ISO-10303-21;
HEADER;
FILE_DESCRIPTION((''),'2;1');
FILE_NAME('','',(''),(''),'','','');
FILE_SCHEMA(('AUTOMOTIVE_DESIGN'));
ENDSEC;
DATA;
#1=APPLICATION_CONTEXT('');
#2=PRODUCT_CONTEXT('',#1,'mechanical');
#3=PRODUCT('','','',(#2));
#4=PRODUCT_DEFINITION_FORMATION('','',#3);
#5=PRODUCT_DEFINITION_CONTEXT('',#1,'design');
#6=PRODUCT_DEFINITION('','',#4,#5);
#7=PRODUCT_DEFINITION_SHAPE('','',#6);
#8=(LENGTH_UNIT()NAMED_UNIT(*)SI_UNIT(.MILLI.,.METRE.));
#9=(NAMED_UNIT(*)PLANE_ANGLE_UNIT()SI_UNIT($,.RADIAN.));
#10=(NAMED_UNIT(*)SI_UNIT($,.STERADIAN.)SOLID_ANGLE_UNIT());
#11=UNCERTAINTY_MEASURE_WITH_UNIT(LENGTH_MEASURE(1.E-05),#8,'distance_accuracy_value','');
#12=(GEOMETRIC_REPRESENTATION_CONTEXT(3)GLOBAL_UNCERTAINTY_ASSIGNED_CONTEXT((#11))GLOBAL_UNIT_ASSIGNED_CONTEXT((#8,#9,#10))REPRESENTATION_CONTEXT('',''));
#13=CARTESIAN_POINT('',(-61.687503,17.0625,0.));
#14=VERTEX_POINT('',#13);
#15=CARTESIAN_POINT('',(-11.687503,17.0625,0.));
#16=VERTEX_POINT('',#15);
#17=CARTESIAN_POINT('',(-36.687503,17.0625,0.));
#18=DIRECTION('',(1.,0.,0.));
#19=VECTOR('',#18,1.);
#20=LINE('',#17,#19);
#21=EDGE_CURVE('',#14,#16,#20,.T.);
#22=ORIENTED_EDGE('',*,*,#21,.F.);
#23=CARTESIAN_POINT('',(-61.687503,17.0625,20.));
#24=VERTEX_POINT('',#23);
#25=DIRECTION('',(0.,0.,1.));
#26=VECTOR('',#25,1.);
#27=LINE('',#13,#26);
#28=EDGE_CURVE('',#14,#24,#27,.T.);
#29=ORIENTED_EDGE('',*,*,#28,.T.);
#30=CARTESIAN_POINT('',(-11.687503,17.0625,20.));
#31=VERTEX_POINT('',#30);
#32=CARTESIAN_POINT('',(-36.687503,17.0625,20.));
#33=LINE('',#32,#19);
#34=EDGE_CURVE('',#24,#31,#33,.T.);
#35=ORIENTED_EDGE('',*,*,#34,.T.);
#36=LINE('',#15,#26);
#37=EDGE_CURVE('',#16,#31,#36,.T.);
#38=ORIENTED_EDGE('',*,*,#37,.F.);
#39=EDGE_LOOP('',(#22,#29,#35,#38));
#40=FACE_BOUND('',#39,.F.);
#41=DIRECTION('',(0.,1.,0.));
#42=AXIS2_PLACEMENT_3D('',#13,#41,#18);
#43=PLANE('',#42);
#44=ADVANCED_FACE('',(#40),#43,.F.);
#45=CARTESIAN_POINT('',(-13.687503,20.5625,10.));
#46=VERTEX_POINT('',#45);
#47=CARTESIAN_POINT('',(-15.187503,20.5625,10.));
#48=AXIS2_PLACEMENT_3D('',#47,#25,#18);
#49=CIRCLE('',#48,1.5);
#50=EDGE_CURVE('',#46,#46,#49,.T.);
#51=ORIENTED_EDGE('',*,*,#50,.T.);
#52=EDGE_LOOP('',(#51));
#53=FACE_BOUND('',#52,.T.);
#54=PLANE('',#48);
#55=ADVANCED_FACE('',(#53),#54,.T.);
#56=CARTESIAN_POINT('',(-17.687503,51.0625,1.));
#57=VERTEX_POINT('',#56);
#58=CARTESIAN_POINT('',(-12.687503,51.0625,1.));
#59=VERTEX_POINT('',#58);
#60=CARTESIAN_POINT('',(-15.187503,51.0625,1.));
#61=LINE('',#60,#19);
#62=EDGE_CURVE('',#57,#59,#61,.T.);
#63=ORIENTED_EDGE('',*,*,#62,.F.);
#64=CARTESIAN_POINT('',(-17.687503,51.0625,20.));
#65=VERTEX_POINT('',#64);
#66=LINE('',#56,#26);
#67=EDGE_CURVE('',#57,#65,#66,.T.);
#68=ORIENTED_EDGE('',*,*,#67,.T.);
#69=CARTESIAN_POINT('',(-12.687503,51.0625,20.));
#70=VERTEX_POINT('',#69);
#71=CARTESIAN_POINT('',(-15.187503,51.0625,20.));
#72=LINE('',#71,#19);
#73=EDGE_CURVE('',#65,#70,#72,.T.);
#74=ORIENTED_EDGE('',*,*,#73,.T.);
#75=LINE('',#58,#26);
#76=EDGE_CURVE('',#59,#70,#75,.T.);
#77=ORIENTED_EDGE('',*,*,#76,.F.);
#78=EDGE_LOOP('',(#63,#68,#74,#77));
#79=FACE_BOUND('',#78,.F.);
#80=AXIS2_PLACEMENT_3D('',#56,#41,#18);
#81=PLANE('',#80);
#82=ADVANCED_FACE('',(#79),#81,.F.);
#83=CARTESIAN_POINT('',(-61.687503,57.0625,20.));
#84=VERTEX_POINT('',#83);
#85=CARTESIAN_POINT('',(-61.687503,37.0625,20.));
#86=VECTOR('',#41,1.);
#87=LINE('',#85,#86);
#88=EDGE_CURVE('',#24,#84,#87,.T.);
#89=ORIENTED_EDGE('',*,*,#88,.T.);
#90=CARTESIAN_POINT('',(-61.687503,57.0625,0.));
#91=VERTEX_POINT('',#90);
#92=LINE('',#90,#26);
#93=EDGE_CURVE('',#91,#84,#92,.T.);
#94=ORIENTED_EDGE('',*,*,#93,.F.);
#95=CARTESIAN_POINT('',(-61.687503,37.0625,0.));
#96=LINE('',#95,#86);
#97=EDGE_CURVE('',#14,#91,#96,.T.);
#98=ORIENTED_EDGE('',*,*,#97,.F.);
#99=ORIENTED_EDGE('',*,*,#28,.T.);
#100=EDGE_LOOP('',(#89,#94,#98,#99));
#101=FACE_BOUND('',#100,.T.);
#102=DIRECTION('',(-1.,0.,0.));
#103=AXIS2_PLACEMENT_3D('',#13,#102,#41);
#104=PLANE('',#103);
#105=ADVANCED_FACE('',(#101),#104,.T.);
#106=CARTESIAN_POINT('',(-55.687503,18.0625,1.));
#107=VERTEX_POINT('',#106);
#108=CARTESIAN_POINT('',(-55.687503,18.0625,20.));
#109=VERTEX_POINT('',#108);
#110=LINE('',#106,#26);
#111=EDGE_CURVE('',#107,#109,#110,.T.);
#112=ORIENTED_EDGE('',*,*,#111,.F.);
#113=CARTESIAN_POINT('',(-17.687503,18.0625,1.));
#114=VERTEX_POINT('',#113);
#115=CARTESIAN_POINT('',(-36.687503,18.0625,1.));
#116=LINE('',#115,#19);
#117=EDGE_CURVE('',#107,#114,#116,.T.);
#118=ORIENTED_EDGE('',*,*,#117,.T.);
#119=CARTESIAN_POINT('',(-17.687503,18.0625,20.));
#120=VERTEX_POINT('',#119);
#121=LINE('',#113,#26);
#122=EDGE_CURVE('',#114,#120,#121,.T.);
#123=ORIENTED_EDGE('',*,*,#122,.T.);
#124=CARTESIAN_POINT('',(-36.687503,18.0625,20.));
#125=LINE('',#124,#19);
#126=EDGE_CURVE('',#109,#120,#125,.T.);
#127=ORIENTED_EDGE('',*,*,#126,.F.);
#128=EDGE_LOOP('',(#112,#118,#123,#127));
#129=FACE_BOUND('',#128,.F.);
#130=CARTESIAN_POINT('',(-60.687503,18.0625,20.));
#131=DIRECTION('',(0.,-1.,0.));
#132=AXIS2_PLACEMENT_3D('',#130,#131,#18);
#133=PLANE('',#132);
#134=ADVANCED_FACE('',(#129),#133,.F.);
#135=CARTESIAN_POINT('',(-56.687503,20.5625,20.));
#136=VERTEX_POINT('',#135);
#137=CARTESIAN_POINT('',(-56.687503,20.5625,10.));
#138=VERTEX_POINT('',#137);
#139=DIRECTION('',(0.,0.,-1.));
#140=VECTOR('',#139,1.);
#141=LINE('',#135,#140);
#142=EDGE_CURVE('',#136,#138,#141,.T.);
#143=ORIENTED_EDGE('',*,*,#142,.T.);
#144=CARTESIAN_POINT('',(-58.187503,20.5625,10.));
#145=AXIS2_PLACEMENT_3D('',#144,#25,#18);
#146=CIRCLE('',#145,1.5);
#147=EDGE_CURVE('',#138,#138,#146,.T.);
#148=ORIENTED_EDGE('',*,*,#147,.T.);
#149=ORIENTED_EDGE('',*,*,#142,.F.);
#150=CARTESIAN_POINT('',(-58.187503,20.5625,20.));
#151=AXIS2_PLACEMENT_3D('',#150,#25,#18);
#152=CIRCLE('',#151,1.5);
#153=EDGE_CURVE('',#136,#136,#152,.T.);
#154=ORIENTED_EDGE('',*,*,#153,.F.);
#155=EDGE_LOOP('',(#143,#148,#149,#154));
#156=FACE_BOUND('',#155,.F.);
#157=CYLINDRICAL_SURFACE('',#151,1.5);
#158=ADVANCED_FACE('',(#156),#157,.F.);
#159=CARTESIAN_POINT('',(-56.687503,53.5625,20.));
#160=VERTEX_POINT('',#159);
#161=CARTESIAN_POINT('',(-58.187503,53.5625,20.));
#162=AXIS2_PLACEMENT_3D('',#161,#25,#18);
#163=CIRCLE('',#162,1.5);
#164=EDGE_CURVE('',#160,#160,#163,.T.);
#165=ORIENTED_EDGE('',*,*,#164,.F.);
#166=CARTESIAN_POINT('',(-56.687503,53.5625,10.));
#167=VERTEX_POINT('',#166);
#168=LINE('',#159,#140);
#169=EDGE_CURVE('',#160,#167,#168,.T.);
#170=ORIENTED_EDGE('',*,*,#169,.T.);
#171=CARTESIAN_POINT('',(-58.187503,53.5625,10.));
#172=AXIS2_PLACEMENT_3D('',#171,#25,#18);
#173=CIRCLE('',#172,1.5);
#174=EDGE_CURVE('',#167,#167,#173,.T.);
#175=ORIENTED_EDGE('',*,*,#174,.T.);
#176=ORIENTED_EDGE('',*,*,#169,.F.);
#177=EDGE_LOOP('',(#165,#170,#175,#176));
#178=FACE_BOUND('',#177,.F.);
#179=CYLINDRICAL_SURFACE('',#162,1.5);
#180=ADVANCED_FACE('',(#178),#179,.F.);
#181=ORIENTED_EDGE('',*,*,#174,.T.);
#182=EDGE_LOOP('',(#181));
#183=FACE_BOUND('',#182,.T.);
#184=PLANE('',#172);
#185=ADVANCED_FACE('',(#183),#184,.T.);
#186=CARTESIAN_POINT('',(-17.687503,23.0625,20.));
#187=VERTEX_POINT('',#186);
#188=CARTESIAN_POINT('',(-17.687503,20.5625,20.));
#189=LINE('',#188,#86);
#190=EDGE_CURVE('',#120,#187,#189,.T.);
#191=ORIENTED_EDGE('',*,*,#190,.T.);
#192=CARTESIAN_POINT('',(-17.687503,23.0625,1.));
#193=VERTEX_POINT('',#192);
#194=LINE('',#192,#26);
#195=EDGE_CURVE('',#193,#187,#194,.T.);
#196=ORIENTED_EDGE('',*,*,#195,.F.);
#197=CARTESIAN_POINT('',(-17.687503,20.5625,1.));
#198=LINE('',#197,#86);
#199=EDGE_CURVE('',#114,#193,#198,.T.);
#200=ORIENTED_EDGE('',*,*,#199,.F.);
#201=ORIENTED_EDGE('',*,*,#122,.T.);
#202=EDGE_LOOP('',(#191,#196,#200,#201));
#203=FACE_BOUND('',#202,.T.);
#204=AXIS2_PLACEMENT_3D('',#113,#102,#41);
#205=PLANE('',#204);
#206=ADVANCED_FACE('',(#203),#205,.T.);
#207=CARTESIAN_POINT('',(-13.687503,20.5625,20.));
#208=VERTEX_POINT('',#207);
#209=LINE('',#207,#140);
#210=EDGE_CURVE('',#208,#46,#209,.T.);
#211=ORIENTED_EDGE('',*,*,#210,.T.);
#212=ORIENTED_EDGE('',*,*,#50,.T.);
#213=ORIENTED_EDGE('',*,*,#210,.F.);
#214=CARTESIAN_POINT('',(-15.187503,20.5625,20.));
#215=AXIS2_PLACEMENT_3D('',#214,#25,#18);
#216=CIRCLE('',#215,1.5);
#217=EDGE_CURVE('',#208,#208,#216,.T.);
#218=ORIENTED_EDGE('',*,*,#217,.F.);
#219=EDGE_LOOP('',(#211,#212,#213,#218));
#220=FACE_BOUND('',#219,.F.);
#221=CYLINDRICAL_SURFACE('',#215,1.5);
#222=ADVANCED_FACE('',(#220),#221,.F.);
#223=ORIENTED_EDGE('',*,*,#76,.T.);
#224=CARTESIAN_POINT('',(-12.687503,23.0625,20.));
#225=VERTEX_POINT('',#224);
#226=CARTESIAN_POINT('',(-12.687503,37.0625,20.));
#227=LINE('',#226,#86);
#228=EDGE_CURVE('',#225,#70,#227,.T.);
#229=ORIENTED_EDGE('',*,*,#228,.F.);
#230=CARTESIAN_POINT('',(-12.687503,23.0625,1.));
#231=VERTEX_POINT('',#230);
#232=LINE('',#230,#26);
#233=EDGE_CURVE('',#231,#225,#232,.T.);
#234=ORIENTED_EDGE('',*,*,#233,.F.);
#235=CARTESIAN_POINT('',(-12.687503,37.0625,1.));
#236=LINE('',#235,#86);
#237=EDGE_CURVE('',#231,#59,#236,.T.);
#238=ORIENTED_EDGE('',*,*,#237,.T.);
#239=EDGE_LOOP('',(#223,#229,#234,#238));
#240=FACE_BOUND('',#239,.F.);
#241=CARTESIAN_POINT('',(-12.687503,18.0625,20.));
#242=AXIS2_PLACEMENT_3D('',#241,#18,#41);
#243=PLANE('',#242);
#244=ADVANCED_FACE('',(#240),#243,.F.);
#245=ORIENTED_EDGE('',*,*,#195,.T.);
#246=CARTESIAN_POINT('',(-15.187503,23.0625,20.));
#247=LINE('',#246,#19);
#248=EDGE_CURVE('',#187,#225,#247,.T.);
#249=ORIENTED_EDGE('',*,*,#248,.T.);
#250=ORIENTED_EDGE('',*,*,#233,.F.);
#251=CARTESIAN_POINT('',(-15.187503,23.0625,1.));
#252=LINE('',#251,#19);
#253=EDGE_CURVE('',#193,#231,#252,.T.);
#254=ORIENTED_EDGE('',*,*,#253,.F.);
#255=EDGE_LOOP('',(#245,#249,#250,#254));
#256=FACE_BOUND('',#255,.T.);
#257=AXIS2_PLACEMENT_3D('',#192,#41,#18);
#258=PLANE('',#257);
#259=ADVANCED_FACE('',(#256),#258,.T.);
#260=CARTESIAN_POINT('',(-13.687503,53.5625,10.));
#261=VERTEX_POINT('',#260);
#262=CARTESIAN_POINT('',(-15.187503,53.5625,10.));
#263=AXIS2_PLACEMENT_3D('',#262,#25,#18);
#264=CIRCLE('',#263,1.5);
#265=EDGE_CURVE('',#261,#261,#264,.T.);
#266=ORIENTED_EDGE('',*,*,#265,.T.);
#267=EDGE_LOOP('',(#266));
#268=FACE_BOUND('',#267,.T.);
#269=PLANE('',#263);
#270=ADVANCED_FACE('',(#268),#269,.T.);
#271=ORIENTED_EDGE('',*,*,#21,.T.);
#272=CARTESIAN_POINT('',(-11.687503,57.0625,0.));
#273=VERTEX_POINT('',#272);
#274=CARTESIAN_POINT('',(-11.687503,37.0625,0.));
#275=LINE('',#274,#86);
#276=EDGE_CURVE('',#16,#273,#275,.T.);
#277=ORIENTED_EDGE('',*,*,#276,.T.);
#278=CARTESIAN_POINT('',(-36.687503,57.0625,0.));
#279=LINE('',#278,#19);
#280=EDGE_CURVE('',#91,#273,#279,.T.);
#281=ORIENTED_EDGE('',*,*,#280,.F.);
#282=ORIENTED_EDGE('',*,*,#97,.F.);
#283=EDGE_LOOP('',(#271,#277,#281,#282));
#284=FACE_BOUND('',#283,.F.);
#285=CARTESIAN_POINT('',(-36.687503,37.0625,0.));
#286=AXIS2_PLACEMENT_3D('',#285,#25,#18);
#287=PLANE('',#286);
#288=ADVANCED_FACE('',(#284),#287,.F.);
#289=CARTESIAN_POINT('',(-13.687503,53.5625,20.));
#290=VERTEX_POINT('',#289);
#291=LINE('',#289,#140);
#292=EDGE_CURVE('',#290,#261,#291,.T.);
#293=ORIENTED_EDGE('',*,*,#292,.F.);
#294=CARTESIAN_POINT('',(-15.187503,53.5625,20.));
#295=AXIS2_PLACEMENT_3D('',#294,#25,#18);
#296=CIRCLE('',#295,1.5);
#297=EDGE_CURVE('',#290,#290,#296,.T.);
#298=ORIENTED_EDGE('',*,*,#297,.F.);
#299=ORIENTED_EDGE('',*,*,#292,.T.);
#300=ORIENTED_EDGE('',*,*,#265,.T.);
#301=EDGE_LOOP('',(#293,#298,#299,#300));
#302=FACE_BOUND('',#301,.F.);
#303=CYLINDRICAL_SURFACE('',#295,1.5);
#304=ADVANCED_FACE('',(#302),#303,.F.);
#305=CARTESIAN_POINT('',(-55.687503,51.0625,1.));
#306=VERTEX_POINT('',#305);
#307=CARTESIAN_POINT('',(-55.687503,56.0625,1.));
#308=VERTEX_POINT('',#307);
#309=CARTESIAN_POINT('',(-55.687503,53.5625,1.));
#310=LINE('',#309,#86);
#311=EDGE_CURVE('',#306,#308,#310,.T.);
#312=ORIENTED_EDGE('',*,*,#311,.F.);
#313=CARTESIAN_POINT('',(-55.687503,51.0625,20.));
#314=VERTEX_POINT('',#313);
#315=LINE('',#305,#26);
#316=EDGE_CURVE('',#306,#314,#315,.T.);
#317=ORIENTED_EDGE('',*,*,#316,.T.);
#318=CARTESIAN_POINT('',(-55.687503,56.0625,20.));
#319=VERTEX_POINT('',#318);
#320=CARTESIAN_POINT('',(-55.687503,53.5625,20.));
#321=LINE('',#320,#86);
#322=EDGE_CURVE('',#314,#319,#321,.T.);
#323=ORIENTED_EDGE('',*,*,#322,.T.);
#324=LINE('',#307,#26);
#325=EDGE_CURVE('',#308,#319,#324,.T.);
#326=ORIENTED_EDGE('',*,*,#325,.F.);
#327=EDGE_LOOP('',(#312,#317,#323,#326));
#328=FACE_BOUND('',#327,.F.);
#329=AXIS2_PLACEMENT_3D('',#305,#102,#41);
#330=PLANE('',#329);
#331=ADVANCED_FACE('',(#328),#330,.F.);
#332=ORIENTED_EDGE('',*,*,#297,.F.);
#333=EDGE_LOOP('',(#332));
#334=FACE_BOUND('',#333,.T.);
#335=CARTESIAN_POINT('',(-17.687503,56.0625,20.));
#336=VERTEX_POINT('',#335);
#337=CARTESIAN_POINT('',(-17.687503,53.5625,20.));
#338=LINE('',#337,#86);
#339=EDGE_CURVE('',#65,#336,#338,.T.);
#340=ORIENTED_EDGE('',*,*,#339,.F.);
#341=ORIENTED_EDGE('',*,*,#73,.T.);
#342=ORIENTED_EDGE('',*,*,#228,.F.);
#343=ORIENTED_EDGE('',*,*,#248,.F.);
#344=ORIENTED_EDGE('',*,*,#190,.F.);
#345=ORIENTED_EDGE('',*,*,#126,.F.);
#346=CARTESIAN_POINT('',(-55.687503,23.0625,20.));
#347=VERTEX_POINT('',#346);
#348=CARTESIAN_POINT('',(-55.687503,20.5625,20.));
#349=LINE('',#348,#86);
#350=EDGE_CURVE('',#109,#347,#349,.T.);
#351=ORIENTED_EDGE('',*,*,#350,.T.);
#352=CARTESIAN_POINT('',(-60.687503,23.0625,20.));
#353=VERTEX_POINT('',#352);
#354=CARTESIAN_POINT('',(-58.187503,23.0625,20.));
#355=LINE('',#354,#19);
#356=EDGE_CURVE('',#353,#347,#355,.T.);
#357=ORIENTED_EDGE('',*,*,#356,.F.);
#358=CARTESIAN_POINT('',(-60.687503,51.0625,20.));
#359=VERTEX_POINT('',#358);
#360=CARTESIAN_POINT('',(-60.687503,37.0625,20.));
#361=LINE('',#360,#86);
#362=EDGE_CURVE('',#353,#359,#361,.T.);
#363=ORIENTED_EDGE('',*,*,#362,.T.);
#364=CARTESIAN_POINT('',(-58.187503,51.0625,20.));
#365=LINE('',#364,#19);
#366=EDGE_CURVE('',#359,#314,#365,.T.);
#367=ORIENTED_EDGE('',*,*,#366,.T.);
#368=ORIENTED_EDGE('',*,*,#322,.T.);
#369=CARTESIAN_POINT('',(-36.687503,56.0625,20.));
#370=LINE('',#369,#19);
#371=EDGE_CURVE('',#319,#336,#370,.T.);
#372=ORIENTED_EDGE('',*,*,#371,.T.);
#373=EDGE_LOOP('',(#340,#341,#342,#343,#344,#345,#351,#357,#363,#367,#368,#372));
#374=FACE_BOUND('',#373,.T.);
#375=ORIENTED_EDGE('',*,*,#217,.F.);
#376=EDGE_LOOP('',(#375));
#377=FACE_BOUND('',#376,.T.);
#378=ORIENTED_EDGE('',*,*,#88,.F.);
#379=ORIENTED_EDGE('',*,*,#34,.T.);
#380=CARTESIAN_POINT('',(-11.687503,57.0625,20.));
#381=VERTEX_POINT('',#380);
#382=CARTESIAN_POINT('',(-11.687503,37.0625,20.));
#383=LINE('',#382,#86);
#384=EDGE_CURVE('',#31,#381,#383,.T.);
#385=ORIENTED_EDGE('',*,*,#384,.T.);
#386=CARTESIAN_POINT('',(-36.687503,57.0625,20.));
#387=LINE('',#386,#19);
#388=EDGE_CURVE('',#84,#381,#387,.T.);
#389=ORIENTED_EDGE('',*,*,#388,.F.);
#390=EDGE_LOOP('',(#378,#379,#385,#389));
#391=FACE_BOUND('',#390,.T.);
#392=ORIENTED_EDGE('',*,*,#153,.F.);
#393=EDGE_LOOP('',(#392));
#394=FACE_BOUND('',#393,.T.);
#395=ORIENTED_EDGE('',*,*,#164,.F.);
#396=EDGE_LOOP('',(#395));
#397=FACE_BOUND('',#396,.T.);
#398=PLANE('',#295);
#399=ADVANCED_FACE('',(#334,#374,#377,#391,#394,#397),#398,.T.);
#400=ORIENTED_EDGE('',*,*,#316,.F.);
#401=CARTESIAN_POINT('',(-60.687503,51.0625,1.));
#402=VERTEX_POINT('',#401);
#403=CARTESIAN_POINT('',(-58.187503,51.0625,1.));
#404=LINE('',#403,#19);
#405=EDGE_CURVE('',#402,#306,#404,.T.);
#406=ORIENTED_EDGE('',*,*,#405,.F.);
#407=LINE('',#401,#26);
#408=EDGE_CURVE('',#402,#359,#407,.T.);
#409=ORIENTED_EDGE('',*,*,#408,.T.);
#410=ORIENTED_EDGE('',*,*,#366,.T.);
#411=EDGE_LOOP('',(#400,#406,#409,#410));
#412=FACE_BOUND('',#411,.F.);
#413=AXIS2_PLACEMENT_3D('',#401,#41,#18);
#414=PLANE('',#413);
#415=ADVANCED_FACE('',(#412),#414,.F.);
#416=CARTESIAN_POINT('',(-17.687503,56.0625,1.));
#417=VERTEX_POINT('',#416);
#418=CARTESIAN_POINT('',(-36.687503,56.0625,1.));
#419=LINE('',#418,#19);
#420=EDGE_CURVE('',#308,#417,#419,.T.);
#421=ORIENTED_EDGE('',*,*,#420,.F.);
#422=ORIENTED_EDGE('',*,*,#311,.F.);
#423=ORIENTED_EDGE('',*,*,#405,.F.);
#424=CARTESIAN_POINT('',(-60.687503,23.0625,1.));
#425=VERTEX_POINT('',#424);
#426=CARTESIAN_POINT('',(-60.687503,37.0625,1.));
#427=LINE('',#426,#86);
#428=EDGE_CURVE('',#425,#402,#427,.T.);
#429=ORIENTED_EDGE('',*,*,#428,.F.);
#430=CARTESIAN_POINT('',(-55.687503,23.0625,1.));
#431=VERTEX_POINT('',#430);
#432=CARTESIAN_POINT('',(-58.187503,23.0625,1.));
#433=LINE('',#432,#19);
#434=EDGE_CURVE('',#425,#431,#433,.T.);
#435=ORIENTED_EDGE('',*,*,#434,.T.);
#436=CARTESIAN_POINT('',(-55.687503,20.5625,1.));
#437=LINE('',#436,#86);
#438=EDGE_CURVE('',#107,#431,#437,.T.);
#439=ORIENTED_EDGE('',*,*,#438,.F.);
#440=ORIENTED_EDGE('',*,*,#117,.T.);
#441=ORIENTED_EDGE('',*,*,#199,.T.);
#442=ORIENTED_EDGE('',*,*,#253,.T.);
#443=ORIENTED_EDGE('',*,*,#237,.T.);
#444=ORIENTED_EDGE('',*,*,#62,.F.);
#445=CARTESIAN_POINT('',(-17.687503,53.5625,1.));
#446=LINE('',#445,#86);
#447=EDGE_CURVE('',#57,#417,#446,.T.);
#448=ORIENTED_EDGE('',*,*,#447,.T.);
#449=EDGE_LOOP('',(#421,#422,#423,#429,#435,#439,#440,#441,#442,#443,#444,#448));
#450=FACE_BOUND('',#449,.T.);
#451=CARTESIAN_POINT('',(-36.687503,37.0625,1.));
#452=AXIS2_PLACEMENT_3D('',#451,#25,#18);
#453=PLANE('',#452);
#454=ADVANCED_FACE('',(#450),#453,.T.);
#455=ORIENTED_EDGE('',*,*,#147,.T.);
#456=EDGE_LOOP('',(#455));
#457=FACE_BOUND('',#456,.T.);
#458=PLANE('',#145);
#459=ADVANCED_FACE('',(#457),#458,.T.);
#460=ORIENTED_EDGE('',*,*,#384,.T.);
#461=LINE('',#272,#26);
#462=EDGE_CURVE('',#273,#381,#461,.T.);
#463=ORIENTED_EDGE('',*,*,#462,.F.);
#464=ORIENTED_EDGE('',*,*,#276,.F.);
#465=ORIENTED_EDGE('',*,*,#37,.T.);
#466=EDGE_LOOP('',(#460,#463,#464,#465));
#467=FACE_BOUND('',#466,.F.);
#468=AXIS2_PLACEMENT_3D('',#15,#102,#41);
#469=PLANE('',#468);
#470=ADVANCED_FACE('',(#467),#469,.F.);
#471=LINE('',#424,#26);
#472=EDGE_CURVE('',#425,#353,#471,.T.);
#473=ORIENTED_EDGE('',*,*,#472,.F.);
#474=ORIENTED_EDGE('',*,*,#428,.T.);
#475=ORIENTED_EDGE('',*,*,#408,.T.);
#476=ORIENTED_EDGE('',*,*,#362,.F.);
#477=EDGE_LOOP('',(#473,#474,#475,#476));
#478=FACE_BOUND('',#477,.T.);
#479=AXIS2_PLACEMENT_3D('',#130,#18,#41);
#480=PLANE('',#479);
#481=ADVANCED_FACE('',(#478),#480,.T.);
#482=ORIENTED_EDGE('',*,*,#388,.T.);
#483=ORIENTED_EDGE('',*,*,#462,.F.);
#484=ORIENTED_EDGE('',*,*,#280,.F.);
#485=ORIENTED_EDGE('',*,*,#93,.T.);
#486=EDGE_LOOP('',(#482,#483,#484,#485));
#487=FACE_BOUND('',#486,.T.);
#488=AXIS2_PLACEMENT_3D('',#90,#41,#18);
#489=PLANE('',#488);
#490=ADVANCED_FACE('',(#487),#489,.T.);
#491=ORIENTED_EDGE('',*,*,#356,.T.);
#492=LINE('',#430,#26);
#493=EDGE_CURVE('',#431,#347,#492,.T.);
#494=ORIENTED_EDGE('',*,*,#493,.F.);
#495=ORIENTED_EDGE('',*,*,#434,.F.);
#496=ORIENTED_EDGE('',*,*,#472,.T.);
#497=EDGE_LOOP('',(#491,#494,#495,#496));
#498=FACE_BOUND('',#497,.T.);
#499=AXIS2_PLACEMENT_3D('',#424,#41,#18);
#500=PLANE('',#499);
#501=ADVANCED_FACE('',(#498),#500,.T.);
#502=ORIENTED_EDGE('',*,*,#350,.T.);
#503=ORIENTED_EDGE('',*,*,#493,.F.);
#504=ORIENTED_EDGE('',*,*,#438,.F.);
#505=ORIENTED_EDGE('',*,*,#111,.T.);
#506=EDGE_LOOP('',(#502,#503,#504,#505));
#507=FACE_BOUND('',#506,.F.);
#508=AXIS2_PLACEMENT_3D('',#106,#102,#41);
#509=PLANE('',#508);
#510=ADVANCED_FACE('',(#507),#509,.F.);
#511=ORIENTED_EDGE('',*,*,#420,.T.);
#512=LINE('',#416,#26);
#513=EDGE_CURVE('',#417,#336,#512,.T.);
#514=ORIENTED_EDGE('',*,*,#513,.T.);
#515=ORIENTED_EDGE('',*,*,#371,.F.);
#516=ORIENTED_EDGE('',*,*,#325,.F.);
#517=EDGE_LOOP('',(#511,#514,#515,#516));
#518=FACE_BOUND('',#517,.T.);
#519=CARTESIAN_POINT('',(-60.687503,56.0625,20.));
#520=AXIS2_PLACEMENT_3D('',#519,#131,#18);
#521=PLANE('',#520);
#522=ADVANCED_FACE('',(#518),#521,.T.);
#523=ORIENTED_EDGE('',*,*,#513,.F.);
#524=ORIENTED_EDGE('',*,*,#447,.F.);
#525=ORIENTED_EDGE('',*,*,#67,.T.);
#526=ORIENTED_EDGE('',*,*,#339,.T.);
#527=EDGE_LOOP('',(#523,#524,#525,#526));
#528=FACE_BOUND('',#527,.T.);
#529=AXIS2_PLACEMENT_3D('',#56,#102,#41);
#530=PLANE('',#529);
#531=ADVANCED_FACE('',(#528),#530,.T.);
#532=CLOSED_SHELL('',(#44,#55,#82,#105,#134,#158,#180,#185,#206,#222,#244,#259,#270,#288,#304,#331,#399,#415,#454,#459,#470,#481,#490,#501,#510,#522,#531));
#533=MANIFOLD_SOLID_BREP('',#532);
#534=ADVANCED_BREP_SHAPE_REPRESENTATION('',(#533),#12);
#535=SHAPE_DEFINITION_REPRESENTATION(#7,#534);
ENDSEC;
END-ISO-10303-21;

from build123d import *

# Parameters (mm, degrees)
F0_W     = 50
F0_H     = 40
F1_DEPTH = 20
F2_W     = 48
F2_H     = 38
F3_DEPTH = 19
F4_W     = 5
F4_H     = 5
F5_DEPTH = 19
F6_R     = 1.5
F7_DEPTH = 10


with BuildPart() as f1:
    # F0 (on Top) → F1 (new body)
    with BuildSketch(Plane.XY):
        with Locations((-36.687503, 37.0625)):
            Rectangle(F0_W, F0_H)
    extrude(amount=F1_DEPTH)

    # F2 (on face) → F3 (cut)
    with BuildSketch(Plane.XY.offset(20)):
        with Locations((-36.687503, 37.0625)):
            Rectangle(F2_W, F2_H)
    extrude(amount=-F3_DEPTH, mode=Mode.SUBTRACT)

    # F4 (on face) → F5 (join)
    with BuildSketch(Plane.XY.offset(1)):
        with Locations((-15.187503, 53.5625)):
            Rectangle(F4_W, F4_H)
        with Locations((-15.187503, 20.5625)):
            Rectangle(F4_W, F4_H)
        with Locations((-58.187503, 20.5625)):
            Rectangle(F4_W, F4_H)
        with Locations((-58.187503, 53.5625)):
            Rectangle(F4_W, F4_H)
    extrude(amount=F5_DEPTH)

    # F6 (on face) → F7 (cut)
    with BuildSketch(Plane.XY.offset(20)):
        with Locations((-15.187503, 53.5625)):
            Circle(F6_R)
        with Locations((-15.187503, 20.5625)):
            Circle(F6_R)
        with Locations((-58.187503, 20.5625)):
            Circle(F6_R)
        with Locations((-58.187503, 53.5625)):
            Circle(F6_R)
    extrude(amount=-F7_DEPTH, mode=Mode.SUBTRACT)


solid = f1.part
